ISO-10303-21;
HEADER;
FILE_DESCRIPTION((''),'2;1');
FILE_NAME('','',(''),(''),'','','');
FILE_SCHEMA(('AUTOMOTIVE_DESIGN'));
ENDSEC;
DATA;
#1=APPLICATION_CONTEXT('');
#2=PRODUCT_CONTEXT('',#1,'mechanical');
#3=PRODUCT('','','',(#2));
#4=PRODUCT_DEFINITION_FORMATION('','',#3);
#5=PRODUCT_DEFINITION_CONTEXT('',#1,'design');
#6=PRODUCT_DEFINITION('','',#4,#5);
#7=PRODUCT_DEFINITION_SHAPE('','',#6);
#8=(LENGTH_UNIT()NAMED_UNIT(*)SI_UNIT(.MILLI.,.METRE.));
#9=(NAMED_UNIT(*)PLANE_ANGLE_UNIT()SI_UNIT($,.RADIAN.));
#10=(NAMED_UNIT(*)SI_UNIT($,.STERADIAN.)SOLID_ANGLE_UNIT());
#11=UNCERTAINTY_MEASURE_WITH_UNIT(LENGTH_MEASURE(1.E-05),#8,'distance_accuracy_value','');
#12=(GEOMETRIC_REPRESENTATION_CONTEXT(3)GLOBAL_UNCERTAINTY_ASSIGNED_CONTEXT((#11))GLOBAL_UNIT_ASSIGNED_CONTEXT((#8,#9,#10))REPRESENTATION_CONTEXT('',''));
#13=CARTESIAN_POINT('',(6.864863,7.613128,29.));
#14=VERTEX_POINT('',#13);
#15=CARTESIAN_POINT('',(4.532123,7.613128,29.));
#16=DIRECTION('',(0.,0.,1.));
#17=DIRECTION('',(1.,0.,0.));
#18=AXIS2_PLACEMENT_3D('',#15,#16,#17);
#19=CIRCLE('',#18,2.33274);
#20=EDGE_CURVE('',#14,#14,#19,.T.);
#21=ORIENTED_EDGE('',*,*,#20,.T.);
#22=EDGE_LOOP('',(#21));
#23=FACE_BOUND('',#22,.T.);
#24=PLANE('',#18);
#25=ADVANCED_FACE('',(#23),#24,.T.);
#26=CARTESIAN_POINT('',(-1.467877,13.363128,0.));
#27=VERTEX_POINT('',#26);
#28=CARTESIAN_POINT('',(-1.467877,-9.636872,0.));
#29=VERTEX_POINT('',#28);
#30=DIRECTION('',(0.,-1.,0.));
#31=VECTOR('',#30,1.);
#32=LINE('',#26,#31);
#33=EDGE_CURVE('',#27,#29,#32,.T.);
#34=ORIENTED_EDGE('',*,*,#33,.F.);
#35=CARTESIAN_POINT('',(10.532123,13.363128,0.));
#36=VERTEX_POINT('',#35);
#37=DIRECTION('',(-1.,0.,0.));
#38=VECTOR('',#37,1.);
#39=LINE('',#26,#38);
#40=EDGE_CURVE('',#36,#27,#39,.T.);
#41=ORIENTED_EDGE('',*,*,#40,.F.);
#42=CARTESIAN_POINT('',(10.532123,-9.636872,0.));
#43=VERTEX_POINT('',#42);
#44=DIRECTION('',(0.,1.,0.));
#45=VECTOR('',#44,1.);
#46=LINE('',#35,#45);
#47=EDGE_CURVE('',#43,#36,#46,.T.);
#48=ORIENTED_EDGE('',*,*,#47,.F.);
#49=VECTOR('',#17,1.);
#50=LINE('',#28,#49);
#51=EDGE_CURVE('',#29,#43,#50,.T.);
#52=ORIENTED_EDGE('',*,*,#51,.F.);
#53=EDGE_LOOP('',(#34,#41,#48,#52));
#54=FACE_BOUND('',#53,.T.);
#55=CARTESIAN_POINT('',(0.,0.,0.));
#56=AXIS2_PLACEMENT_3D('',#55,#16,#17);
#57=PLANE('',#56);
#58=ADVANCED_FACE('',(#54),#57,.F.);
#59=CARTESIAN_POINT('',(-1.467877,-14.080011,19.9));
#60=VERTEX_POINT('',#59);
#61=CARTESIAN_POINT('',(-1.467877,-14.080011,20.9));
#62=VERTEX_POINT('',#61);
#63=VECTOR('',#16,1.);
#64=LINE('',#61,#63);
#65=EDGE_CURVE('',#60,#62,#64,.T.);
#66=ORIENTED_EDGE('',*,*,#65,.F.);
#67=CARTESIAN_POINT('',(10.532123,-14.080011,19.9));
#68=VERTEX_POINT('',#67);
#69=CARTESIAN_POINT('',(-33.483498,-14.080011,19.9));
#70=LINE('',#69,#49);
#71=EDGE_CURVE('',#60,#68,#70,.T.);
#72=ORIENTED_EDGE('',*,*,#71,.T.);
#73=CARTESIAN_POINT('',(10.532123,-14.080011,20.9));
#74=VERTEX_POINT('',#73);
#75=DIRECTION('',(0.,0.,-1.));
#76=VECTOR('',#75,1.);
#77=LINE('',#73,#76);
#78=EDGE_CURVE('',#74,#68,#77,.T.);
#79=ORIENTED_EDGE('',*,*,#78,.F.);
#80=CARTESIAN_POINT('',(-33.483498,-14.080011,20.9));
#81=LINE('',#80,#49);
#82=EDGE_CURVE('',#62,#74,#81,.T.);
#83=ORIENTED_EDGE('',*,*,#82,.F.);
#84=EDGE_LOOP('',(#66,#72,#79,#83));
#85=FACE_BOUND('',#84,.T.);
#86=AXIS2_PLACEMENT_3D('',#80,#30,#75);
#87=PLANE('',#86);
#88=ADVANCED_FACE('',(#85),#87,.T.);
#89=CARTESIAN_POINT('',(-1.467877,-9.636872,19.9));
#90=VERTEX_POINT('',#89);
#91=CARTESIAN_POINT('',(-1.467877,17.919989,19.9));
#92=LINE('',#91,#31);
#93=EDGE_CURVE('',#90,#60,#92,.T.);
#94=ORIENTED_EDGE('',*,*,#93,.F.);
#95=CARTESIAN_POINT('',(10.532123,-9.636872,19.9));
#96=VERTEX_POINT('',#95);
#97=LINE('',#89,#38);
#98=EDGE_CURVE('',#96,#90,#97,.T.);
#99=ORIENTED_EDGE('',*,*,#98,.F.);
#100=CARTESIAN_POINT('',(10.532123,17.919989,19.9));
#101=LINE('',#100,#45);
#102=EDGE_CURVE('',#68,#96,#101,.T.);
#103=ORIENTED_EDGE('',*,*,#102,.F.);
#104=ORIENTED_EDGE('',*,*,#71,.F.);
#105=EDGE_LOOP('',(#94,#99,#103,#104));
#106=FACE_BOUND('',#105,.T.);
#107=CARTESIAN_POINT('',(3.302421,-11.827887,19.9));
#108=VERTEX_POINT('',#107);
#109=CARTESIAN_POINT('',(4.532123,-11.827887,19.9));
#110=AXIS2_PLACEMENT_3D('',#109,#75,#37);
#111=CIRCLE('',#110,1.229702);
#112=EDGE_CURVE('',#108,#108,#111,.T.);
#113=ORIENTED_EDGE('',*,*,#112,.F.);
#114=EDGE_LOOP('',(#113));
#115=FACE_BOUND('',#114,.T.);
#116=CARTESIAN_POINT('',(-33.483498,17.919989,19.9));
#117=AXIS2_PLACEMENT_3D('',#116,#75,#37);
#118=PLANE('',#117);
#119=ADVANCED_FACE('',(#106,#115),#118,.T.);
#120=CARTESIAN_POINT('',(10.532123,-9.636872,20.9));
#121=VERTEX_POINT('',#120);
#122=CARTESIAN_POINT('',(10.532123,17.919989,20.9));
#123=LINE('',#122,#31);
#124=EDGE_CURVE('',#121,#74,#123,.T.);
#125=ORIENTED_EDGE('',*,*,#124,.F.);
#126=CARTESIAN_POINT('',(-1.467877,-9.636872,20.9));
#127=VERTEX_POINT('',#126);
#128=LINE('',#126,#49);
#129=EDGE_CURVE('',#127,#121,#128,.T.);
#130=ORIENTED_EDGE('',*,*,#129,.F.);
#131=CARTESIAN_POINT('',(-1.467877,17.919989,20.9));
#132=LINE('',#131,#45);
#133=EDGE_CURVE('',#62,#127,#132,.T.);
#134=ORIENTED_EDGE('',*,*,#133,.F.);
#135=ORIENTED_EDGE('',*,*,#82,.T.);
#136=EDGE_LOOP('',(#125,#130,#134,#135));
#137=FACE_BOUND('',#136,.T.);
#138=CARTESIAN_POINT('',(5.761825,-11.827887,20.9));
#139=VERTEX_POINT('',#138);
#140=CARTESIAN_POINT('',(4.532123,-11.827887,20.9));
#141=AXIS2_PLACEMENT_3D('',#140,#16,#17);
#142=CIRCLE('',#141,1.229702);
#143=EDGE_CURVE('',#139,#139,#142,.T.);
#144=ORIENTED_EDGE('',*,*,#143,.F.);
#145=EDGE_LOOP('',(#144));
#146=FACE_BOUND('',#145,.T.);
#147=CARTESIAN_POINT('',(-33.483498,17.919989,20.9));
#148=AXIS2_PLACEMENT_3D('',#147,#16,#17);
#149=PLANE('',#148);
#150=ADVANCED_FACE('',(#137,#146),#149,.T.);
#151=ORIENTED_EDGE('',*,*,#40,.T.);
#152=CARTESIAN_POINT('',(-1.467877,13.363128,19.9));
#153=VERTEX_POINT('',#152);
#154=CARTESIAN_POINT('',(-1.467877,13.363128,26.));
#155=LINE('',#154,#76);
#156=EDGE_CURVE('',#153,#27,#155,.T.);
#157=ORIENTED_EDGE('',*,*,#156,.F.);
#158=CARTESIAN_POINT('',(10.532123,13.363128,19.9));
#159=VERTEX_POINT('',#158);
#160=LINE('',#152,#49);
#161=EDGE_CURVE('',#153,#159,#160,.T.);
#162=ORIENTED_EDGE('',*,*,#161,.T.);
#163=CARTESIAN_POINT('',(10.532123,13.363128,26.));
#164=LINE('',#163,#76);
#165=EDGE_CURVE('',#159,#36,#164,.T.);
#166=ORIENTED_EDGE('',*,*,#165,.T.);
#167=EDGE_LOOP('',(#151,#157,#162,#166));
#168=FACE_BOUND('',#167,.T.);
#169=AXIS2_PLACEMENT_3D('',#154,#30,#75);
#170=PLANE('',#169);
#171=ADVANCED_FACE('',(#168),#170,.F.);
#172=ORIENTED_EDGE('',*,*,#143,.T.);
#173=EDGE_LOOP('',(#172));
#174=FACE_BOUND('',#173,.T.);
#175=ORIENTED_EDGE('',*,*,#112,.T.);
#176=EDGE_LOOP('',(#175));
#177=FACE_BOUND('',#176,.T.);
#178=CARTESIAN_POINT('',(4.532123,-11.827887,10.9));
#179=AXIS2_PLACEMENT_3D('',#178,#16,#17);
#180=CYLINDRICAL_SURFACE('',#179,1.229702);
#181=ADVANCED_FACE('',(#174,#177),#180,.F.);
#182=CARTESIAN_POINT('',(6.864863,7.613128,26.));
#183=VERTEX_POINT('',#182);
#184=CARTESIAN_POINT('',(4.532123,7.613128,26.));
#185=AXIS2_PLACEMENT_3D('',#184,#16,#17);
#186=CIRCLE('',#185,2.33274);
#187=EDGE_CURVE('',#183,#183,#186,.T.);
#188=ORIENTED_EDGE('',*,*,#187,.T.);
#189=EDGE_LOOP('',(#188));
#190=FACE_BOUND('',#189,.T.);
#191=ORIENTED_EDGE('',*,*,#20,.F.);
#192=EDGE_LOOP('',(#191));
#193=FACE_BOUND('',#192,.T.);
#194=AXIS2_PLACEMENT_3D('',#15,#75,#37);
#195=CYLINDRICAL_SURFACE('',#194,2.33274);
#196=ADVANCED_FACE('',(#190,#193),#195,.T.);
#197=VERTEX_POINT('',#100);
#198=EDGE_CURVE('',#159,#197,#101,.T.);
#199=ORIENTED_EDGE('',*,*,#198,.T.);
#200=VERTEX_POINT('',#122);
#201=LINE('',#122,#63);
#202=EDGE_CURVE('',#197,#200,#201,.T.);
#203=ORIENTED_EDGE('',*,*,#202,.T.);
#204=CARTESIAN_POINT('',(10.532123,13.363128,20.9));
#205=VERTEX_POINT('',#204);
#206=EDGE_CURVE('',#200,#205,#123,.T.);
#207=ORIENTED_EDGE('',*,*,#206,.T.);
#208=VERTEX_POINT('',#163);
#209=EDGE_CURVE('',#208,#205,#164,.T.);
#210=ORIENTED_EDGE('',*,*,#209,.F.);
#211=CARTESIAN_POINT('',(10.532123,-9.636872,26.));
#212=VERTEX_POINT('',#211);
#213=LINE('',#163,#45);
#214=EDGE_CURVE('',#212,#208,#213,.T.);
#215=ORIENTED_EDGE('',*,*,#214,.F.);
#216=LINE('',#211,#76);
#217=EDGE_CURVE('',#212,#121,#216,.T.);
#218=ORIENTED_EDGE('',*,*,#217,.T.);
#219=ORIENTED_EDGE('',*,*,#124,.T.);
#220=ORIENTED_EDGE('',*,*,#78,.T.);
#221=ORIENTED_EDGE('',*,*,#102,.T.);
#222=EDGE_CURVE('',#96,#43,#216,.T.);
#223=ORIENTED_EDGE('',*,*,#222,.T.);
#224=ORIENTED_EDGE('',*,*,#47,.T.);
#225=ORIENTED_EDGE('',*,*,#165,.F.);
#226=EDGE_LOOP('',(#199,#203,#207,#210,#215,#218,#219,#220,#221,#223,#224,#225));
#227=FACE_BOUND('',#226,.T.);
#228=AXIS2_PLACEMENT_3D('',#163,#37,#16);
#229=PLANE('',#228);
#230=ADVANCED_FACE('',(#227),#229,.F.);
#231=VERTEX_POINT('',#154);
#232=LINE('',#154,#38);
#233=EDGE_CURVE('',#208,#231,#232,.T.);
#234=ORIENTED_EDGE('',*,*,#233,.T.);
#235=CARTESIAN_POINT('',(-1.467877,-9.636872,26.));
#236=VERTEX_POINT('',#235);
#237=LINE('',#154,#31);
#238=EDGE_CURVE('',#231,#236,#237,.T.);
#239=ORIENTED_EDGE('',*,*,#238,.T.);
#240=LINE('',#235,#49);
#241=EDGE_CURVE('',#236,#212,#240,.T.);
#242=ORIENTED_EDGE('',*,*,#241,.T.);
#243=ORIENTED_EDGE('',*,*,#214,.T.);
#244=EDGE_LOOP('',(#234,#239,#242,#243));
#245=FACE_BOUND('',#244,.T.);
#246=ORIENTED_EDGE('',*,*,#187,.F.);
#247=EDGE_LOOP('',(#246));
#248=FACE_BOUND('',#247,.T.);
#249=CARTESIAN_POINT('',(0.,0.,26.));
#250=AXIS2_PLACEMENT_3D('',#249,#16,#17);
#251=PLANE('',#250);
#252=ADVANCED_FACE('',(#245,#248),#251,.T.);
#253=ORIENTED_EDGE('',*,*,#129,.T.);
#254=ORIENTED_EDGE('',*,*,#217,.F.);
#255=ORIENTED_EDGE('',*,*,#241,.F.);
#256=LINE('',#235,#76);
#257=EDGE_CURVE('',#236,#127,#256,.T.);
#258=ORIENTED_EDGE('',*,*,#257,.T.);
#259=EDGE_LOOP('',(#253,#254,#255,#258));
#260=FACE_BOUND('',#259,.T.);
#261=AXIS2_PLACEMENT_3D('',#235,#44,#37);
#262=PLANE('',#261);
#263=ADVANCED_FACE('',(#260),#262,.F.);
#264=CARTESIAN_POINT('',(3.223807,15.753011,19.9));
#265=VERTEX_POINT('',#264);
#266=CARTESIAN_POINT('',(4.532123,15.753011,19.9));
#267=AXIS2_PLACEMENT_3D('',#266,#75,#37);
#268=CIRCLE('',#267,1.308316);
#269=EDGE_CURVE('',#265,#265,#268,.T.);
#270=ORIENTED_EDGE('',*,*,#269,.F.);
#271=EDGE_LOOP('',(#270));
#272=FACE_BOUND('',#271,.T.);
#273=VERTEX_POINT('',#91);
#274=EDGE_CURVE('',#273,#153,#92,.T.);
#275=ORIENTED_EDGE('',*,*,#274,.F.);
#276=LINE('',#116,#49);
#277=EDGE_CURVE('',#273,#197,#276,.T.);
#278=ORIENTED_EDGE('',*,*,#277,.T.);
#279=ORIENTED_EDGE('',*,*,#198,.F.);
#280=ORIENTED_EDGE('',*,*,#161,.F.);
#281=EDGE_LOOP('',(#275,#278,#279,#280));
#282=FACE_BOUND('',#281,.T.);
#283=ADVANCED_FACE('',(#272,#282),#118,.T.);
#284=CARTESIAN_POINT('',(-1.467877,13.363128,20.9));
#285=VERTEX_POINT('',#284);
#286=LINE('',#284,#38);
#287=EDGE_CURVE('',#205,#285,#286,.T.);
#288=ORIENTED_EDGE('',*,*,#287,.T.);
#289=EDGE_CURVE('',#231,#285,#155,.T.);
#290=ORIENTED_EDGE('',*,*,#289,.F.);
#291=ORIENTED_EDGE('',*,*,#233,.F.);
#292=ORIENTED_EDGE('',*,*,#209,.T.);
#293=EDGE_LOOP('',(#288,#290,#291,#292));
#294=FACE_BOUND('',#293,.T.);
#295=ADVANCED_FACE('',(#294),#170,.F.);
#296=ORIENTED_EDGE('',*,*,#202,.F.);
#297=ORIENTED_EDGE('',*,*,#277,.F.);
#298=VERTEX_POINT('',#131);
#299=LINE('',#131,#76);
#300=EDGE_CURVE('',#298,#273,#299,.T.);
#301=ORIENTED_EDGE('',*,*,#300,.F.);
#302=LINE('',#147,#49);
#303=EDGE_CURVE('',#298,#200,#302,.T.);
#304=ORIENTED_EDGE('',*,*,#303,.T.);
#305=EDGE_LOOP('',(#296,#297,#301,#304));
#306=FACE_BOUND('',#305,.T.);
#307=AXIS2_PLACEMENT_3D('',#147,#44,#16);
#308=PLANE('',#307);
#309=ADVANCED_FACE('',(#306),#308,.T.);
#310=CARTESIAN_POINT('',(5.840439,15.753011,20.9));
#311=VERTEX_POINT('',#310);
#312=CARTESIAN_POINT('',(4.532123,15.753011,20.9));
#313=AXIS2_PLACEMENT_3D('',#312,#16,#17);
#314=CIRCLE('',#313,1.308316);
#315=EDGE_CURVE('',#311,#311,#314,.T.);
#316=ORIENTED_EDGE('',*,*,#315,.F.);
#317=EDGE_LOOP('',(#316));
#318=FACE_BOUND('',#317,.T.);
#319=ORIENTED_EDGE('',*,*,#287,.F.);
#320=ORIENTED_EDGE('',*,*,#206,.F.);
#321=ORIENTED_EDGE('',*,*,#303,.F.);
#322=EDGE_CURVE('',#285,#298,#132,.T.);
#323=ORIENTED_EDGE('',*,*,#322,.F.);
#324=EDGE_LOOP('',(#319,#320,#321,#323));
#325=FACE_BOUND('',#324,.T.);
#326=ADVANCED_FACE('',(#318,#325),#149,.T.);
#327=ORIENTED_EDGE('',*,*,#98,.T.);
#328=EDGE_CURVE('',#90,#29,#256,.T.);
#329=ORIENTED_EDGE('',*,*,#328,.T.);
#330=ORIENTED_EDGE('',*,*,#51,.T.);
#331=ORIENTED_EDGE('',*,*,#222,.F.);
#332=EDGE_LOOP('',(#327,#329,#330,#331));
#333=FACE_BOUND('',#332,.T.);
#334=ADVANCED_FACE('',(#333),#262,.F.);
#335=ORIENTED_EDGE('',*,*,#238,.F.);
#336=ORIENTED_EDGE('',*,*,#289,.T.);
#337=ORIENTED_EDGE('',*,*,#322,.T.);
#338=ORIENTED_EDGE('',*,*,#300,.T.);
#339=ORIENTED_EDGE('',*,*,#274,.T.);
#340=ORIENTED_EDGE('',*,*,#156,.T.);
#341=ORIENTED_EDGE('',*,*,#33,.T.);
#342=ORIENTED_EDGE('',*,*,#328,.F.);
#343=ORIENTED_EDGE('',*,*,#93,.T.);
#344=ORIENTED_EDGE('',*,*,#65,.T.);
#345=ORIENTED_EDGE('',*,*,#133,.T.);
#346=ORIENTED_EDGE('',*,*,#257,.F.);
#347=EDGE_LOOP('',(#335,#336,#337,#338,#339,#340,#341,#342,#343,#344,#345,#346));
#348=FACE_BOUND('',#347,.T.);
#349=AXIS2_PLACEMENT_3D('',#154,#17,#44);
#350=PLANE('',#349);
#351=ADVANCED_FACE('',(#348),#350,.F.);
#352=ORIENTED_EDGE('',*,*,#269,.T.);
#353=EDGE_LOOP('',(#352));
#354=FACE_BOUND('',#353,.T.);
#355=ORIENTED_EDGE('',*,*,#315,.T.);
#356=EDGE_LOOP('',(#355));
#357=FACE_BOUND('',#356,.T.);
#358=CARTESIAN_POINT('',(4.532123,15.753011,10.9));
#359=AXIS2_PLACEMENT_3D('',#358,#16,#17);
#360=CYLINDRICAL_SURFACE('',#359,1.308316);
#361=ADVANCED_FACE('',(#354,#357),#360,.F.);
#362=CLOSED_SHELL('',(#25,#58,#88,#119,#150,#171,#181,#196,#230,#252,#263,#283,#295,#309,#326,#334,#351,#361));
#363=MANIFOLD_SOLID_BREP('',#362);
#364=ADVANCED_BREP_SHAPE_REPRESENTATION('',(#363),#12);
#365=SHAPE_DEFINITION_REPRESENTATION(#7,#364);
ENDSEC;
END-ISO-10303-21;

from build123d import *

# Parameters (mm, degrees)
SKETCH_1_W          = 12
SKETCH_1_H          = 23
EXTRUDE_1_DEPTH     = 26
SKETCH_2_R          = 2.332740267
EXTRUDE_2_DEPTH     = 3
SKETCH_3_W          = 1
SKETCH_3_H          = 32
EXTRUDE_3_DEPTH     = 12
SKETCH_4_R          = 1.308316264
SKETCH_4_R_2        = 1.22970194
CUT_EXTRUDE_1_DEPTH = 10


with BuildPart() as part:
    # 草图1 → 凸台-拉伸1 (new body)
    with BuildSketch(Plane.XY):
        with Locations((4.532123023, 1.863128492)):
            Rectangle(SKETCH_1_W, SKETCH_1_H)
    extrude(amount=EXTRUDE_1_DEPTH)

    # 草图2 → 凸台-拉伸2 (add)
    with BuildSketch(Plane.XY.offset(26)):
        with Locations((4.532123023, 7.613128492)):
            Circle(SKETCH_2_R)
    extrude(amount=EXTRUDE_2_DEPTH)

    # 草图3 → 凸台-拉伸3 (add)
    with BuildSketch(Plane(origin=(10.532123023, 0, 0), x_dir=(0, 0, -1), z_dir=(1, 0, 0))):
        with Locations((-20.4, 1.919988583)):
            Rectangle(SKETCH_3_W, SKETCH_3_H)
    extrude(amount=-EXTRUDE_3_DEPTH)

    # 草图4 → 切除-拉伸1 (cut)
    with BuildSketch(Plane.XY.offset(20.9)):
        with Locations((4.532123023, 15.753010852)):
            Circle(SKETCH_4_R)
        with Locations((4.532123023, -11.827886658)):
            Circle(SKETCH_4_R_2)
    extrude(amount=-CUT_EXTRUDE_1_DEPTH, mode=Mode.SUBTRACT)


solid = part.part
